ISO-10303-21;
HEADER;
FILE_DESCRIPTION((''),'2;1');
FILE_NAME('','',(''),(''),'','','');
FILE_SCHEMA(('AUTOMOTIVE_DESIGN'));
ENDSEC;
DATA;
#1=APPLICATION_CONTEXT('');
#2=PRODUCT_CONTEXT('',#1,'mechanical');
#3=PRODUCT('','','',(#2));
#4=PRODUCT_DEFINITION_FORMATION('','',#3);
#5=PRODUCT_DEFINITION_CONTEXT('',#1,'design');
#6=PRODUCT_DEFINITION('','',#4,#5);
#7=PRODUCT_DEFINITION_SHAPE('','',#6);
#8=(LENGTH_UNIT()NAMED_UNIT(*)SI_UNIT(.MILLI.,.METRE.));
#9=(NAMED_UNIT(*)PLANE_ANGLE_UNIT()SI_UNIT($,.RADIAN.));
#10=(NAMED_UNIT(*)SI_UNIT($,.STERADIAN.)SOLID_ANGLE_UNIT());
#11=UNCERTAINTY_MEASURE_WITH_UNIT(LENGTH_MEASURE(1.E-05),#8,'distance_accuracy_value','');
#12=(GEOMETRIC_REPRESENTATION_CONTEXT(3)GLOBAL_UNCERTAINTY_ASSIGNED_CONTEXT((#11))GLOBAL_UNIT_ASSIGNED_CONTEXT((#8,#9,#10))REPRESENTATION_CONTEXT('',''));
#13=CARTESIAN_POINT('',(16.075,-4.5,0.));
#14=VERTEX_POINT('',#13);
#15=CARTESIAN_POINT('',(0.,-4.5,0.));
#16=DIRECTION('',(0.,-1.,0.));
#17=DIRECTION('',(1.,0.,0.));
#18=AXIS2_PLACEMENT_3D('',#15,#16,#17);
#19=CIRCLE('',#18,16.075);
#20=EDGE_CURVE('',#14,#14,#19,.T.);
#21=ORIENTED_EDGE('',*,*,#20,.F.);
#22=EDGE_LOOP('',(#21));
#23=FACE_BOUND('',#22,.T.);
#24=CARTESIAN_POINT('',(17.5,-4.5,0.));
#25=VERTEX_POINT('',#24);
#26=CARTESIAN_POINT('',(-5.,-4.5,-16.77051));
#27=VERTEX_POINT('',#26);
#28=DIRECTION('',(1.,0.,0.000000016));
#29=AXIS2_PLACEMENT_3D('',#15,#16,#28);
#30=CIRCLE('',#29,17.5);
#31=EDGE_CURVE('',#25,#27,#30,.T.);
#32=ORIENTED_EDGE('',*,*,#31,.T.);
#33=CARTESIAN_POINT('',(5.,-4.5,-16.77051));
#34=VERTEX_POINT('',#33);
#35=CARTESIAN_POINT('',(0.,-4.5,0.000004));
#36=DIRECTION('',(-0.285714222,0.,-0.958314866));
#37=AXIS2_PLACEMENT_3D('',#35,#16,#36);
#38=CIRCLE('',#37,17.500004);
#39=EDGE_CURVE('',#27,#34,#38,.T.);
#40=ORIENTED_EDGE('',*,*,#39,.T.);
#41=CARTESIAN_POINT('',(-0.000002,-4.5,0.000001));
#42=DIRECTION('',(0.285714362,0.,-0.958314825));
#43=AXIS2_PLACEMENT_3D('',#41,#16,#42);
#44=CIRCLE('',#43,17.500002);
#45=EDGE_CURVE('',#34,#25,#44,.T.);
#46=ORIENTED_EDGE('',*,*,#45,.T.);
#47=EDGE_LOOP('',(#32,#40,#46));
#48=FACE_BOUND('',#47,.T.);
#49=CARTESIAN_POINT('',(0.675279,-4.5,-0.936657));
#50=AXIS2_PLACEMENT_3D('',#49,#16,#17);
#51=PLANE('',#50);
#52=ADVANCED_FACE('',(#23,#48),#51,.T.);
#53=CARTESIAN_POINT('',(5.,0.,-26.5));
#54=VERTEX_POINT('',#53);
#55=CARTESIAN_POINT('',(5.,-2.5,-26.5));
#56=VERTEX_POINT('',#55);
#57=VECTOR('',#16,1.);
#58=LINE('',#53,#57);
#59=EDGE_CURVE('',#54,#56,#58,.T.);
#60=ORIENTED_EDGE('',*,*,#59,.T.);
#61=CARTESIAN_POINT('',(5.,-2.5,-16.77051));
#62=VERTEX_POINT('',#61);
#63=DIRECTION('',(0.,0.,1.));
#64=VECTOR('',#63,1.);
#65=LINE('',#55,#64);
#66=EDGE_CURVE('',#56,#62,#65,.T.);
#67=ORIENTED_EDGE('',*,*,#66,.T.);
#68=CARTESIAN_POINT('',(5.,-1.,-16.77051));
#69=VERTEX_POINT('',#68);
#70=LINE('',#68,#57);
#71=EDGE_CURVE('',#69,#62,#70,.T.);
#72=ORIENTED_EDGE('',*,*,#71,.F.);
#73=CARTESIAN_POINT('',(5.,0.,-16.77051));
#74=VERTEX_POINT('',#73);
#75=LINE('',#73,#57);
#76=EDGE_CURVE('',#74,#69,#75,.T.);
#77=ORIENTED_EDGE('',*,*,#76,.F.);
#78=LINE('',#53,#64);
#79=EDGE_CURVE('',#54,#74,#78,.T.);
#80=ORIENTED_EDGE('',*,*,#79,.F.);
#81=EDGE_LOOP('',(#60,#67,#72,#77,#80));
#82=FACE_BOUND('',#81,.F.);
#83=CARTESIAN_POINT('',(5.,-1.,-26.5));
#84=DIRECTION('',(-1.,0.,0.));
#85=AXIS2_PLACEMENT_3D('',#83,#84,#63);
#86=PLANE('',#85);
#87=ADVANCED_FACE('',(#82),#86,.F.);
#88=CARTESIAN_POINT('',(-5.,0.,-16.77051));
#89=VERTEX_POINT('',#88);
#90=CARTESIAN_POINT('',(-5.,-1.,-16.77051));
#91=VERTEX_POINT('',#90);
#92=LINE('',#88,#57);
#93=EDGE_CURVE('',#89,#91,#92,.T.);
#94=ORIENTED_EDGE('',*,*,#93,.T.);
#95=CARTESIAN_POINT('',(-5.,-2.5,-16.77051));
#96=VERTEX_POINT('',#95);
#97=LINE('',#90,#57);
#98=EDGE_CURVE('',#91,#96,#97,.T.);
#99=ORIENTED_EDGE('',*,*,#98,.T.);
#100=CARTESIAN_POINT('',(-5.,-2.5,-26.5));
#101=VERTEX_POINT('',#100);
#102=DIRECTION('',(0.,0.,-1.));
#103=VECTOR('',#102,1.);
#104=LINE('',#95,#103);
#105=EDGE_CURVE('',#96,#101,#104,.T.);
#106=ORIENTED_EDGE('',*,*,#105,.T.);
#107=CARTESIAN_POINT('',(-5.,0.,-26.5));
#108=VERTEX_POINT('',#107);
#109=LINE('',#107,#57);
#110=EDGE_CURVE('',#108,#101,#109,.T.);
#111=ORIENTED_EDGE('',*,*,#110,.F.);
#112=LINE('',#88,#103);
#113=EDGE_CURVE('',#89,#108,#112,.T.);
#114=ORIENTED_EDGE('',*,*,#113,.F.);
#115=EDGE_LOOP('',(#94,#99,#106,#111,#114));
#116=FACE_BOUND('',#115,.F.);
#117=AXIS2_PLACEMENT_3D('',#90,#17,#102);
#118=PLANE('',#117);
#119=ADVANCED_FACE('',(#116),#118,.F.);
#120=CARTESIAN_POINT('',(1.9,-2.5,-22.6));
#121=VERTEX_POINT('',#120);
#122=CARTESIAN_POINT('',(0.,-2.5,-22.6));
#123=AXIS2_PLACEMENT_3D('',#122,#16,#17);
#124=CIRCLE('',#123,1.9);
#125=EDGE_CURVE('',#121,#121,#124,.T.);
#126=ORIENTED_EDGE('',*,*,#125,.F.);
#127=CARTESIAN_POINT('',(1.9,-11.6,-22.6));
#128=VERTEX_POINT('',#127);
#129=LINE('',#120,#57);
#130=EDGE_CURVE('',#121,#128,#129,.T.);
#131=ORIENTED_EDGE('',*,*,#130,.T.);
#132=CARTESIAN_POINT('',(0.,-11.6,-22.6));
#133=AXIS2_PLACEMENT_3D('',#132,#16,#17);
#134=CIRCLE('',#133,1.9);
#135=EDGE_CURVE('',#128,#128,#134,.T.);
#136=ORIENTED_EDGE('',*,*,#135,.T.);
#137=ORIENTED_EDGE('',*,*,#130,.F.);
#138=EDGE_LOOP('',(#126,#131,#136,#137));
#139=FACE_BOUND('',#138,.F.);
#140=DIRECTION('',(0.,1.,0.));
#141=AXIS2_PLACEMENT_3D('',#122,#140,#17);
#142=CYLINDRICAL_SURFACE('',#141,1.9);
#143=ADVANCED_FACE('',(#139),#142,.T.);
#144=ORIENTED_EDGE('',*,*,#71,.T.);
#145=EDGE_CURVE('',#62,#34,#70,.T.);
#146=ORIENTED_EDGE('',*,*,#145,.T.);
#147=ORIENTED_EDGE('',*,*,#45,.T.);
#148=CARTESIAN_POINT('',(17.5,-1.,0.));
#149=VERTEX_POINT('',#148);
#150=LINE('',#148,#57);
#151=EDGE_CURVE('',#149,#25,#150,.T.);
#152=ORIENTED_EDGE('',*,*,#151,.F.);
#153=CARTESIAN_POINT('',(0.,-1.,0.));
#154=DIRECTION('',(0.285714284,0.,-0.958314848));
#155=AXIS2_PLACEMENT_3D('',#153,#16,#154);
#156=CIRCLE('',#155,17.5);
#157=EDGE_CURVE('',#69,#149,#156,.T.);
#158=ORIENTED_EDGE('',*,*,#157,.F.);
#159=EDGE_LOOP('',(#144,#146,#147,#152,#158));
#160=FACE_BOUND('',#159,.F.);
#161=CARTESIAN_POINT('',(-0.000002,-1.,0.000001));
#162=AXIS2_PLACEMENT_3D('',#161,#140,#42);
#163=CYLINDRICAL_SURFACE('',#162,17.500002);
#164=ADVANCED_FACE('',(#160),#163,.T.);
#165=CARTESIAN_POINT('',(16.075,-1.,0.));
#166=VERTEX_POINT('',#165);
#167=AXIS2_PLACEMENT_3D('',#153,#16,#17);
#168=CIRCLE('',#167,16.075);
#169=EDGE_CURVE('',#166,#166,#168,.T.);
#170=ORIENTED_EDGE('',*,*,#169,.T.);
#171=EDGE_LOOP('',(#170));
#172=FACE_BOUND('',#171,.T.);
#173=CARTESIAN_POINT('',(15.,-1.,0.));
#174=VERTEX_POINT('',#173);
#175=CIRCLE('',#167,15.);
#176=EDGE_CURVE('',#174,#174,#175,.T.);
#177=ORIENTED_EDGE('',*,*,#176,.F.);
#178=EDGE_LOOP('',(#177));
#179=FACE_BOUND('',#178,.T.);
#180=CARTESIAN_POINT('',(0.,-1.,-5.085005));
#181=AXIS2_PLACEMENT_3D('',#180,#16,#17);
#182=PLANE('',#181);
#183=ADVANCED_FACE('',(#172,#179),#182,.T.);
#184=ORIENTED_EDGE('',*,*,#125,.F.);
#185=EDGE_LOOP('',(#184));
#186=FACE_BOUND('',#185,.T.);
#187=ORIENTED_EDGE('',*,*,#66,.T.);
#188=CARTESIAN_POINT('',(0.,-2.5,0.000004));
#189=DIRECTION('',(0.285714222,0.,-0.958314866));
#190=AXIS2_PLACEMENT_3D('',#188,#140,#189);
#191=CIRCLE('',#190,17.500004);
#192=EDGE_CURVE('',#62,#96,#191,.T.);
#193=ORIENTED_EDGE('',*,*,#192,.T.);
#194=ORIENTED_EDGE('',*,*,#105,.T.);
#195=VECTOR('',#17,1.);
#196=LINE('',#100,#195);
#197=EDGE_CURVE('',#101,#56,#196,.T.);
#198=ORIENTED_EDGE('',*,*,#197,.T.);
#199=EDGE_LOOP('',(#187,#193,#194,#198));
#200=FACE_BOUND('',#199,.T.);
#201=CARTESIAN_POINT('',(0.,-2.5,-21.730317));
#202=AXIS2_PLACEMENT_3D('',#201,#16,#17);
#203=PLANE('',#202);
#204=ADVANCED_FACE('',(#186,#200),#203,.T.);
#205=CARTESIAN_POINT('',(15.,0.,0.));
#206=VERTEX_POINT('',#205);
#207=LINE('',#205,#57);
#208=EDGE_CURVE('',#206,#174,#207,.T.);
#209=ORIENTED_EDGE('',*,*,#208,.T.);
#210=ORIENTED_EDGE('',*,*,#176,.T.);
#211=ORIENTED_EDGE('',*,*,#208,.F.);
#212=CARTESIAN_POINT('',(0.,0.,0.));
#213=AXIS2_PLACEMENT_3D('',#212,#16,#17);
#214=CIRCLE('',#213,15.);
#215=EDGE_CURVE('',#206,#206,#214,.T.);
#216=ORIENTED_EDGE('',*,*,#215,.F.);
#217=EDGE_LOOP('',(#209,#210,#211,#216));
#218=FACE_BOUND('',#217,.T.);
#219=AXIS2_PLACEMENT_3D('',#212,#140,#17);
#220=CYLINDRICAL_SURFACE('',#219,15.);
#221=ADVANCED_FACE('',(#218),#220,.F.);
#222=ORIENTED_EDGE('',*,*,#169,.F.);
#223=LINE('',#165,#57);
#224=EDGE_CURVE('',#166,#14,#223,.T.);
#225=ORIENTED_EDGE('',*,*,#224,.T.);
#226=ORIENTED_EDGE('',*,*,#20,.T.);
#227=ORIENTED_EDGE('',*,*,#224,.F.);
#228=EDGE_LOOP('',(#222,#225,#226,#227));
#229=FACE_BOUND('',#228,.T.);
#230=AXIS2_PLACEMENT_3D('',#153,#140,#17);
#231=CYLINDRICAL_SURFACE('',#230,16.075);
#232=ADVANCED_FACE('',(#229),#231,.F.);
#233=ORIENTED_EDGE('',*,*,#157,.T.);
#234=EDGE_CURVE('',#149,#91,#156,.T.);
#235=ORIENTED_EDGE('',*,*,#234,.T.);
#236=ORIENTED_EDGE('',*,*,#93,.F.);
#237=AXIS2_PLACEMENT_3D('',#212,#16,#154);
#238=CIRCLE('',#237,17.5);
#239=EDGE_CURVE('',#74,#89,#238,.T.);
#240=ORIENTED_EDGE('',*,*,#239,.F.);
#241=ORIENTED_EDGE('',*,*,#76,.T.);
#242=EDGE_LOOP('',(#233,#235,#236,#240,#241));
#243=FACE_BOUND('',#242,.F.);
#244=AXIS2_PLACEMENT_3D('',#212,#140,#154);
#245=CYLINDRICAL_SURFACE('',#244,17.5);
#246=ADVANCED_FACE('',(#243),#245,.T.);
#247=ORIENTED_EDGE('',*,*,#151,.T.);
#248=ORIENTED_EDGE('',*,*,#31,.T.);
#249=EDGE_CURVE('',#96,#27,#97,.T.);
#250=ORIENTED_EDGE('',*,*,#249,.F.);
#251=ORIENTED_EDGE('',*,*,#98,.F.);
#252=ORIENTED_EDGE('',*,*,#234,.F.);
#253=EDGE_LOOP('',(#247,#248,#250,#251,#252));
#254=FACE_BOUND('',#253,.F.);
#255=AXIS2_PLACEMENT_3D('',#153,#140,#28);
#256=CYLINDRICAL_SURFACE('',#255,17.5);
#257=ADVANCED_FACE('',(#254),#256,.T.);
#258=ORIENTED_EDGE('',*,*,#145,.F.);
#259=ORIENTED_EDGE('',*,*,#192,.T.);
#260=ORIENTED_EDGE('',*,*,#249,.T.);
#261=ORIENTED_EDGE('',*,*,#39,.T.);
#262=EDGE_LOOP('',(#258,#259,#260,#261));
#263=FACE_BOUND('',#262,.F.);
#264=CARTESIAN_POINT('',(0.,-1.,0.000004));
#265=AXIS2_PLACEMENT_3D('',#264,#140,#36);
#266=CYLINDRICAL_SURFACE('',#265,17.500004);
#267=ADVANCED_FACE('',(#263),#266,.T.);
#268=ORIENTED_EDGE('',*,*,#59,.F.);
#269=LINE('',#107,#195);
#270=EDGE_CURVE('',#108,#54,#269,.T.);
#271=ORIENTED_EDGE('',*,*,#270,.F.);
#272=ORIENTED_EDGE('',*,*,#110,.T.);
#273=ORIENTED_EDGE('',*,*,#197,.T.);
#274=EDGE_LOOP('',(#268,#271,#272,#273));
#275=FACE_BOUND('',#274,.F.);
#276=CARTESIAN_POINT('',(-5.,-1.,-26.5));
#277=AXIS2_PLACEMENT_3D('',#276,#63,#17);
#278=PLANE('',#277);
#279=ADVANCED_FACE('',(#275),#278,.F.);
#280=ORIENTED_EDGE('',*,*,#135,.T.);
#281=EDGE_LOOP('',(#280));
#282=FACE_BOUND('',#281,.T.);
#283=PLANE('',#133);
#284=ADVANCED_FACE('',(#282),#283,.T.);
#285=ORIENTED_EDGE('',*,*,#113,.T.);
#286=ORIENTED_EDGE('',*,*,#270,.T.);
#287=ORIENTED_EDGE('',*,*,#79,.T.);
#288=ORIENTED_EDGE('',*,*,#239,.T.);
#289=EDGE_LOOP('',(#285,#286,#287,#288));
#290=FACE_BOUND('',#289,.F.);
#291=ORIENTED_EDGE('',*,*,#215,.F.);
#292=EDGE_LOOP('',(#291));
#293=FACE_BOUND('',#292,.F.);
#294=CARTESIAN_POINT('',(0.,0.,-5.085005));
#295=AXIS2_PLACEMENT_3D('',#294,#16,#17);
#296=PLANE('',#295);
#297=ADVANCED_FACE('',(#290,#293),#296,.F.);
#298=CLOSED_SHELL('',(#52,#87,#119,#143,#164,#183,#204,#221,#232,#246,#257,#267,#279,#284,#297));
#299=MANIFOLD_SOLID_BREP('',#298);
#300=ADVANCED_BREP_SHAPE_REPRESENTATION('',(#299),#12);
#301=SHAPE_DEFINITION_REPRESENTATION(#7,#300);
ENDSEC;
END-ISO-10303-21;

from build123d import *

# Parameters (mm, degrees)
F0_R     = 15
F1_DEPTH = 1
F2_R     = 16.075
F3_DEPTH = 3.5
F4_DEPTH = 1.5
F5_R     = 1.9
F6_DEPTH = 9.1


with BuildPart() as f1:
    # F0 (on Front) → F1 (new body)
    with BuildSketch(Plane.XZ):
        with BuildLine():
            Line((5, -26.5), (5, -16.77051))
            ThreePointArc((5, -16.77051), (0, 17.5), (-5, -16.77051))
            Line((-5, -16.77051), (-5, -26.5))
            Line((-5, -26.5), (5, -26.5))
        make_face()
        Circle(F0_R, mode=Mode.SUBTRACT)
    extrude(amount=F1_DEPTH)

    # F2 (on face) → F3 (join)
    with BuildSketch(Plane.XZ.offset(1)):
        with BuildLine():
            ThreePointArc((5, -16.77051), (14.031215, -10.45825), (17.5, 0))
            ThreePointArc((17.5, 0), (-10.45825, 14.031215), (-5, -16.77051))
            ThreePointArc((-5, -16.77051), (0, -17.5), (5, -16.77051))
        make_face()
        Circle(F2_R, mode=Mode.SUBTRACT)
    extrude(amount=F3_DEPTH)

    # F3_face (on face) → F4 (join)
    with BuildSketch(Plane(origin=(0, -1, -21.876907), x_dir=(1, 0, 0), z_dir=(0, -1, 0))):
        with BuildLine():
            ThreePointArc((5, 5.106397), (0, 4.376907), (-5, 5.106397))
            Line((-5, 5.106397), (-5, -4.623093))
            Line((-5, -4.623093), (5, -4.623093))
            Line((5, -4.623093), (5, 5.106397))
        make_face()
    extrude(amount=F4_DEPTH)

    # F5 (on face) → F6 (join)
    with BuildSketch(Plane.XZ.offset(2.5)):
        with Locations((0, -22.6)):
            Circle(F5_R)
    extrude(amount=F6_DEPTH)


solid = f1.part
